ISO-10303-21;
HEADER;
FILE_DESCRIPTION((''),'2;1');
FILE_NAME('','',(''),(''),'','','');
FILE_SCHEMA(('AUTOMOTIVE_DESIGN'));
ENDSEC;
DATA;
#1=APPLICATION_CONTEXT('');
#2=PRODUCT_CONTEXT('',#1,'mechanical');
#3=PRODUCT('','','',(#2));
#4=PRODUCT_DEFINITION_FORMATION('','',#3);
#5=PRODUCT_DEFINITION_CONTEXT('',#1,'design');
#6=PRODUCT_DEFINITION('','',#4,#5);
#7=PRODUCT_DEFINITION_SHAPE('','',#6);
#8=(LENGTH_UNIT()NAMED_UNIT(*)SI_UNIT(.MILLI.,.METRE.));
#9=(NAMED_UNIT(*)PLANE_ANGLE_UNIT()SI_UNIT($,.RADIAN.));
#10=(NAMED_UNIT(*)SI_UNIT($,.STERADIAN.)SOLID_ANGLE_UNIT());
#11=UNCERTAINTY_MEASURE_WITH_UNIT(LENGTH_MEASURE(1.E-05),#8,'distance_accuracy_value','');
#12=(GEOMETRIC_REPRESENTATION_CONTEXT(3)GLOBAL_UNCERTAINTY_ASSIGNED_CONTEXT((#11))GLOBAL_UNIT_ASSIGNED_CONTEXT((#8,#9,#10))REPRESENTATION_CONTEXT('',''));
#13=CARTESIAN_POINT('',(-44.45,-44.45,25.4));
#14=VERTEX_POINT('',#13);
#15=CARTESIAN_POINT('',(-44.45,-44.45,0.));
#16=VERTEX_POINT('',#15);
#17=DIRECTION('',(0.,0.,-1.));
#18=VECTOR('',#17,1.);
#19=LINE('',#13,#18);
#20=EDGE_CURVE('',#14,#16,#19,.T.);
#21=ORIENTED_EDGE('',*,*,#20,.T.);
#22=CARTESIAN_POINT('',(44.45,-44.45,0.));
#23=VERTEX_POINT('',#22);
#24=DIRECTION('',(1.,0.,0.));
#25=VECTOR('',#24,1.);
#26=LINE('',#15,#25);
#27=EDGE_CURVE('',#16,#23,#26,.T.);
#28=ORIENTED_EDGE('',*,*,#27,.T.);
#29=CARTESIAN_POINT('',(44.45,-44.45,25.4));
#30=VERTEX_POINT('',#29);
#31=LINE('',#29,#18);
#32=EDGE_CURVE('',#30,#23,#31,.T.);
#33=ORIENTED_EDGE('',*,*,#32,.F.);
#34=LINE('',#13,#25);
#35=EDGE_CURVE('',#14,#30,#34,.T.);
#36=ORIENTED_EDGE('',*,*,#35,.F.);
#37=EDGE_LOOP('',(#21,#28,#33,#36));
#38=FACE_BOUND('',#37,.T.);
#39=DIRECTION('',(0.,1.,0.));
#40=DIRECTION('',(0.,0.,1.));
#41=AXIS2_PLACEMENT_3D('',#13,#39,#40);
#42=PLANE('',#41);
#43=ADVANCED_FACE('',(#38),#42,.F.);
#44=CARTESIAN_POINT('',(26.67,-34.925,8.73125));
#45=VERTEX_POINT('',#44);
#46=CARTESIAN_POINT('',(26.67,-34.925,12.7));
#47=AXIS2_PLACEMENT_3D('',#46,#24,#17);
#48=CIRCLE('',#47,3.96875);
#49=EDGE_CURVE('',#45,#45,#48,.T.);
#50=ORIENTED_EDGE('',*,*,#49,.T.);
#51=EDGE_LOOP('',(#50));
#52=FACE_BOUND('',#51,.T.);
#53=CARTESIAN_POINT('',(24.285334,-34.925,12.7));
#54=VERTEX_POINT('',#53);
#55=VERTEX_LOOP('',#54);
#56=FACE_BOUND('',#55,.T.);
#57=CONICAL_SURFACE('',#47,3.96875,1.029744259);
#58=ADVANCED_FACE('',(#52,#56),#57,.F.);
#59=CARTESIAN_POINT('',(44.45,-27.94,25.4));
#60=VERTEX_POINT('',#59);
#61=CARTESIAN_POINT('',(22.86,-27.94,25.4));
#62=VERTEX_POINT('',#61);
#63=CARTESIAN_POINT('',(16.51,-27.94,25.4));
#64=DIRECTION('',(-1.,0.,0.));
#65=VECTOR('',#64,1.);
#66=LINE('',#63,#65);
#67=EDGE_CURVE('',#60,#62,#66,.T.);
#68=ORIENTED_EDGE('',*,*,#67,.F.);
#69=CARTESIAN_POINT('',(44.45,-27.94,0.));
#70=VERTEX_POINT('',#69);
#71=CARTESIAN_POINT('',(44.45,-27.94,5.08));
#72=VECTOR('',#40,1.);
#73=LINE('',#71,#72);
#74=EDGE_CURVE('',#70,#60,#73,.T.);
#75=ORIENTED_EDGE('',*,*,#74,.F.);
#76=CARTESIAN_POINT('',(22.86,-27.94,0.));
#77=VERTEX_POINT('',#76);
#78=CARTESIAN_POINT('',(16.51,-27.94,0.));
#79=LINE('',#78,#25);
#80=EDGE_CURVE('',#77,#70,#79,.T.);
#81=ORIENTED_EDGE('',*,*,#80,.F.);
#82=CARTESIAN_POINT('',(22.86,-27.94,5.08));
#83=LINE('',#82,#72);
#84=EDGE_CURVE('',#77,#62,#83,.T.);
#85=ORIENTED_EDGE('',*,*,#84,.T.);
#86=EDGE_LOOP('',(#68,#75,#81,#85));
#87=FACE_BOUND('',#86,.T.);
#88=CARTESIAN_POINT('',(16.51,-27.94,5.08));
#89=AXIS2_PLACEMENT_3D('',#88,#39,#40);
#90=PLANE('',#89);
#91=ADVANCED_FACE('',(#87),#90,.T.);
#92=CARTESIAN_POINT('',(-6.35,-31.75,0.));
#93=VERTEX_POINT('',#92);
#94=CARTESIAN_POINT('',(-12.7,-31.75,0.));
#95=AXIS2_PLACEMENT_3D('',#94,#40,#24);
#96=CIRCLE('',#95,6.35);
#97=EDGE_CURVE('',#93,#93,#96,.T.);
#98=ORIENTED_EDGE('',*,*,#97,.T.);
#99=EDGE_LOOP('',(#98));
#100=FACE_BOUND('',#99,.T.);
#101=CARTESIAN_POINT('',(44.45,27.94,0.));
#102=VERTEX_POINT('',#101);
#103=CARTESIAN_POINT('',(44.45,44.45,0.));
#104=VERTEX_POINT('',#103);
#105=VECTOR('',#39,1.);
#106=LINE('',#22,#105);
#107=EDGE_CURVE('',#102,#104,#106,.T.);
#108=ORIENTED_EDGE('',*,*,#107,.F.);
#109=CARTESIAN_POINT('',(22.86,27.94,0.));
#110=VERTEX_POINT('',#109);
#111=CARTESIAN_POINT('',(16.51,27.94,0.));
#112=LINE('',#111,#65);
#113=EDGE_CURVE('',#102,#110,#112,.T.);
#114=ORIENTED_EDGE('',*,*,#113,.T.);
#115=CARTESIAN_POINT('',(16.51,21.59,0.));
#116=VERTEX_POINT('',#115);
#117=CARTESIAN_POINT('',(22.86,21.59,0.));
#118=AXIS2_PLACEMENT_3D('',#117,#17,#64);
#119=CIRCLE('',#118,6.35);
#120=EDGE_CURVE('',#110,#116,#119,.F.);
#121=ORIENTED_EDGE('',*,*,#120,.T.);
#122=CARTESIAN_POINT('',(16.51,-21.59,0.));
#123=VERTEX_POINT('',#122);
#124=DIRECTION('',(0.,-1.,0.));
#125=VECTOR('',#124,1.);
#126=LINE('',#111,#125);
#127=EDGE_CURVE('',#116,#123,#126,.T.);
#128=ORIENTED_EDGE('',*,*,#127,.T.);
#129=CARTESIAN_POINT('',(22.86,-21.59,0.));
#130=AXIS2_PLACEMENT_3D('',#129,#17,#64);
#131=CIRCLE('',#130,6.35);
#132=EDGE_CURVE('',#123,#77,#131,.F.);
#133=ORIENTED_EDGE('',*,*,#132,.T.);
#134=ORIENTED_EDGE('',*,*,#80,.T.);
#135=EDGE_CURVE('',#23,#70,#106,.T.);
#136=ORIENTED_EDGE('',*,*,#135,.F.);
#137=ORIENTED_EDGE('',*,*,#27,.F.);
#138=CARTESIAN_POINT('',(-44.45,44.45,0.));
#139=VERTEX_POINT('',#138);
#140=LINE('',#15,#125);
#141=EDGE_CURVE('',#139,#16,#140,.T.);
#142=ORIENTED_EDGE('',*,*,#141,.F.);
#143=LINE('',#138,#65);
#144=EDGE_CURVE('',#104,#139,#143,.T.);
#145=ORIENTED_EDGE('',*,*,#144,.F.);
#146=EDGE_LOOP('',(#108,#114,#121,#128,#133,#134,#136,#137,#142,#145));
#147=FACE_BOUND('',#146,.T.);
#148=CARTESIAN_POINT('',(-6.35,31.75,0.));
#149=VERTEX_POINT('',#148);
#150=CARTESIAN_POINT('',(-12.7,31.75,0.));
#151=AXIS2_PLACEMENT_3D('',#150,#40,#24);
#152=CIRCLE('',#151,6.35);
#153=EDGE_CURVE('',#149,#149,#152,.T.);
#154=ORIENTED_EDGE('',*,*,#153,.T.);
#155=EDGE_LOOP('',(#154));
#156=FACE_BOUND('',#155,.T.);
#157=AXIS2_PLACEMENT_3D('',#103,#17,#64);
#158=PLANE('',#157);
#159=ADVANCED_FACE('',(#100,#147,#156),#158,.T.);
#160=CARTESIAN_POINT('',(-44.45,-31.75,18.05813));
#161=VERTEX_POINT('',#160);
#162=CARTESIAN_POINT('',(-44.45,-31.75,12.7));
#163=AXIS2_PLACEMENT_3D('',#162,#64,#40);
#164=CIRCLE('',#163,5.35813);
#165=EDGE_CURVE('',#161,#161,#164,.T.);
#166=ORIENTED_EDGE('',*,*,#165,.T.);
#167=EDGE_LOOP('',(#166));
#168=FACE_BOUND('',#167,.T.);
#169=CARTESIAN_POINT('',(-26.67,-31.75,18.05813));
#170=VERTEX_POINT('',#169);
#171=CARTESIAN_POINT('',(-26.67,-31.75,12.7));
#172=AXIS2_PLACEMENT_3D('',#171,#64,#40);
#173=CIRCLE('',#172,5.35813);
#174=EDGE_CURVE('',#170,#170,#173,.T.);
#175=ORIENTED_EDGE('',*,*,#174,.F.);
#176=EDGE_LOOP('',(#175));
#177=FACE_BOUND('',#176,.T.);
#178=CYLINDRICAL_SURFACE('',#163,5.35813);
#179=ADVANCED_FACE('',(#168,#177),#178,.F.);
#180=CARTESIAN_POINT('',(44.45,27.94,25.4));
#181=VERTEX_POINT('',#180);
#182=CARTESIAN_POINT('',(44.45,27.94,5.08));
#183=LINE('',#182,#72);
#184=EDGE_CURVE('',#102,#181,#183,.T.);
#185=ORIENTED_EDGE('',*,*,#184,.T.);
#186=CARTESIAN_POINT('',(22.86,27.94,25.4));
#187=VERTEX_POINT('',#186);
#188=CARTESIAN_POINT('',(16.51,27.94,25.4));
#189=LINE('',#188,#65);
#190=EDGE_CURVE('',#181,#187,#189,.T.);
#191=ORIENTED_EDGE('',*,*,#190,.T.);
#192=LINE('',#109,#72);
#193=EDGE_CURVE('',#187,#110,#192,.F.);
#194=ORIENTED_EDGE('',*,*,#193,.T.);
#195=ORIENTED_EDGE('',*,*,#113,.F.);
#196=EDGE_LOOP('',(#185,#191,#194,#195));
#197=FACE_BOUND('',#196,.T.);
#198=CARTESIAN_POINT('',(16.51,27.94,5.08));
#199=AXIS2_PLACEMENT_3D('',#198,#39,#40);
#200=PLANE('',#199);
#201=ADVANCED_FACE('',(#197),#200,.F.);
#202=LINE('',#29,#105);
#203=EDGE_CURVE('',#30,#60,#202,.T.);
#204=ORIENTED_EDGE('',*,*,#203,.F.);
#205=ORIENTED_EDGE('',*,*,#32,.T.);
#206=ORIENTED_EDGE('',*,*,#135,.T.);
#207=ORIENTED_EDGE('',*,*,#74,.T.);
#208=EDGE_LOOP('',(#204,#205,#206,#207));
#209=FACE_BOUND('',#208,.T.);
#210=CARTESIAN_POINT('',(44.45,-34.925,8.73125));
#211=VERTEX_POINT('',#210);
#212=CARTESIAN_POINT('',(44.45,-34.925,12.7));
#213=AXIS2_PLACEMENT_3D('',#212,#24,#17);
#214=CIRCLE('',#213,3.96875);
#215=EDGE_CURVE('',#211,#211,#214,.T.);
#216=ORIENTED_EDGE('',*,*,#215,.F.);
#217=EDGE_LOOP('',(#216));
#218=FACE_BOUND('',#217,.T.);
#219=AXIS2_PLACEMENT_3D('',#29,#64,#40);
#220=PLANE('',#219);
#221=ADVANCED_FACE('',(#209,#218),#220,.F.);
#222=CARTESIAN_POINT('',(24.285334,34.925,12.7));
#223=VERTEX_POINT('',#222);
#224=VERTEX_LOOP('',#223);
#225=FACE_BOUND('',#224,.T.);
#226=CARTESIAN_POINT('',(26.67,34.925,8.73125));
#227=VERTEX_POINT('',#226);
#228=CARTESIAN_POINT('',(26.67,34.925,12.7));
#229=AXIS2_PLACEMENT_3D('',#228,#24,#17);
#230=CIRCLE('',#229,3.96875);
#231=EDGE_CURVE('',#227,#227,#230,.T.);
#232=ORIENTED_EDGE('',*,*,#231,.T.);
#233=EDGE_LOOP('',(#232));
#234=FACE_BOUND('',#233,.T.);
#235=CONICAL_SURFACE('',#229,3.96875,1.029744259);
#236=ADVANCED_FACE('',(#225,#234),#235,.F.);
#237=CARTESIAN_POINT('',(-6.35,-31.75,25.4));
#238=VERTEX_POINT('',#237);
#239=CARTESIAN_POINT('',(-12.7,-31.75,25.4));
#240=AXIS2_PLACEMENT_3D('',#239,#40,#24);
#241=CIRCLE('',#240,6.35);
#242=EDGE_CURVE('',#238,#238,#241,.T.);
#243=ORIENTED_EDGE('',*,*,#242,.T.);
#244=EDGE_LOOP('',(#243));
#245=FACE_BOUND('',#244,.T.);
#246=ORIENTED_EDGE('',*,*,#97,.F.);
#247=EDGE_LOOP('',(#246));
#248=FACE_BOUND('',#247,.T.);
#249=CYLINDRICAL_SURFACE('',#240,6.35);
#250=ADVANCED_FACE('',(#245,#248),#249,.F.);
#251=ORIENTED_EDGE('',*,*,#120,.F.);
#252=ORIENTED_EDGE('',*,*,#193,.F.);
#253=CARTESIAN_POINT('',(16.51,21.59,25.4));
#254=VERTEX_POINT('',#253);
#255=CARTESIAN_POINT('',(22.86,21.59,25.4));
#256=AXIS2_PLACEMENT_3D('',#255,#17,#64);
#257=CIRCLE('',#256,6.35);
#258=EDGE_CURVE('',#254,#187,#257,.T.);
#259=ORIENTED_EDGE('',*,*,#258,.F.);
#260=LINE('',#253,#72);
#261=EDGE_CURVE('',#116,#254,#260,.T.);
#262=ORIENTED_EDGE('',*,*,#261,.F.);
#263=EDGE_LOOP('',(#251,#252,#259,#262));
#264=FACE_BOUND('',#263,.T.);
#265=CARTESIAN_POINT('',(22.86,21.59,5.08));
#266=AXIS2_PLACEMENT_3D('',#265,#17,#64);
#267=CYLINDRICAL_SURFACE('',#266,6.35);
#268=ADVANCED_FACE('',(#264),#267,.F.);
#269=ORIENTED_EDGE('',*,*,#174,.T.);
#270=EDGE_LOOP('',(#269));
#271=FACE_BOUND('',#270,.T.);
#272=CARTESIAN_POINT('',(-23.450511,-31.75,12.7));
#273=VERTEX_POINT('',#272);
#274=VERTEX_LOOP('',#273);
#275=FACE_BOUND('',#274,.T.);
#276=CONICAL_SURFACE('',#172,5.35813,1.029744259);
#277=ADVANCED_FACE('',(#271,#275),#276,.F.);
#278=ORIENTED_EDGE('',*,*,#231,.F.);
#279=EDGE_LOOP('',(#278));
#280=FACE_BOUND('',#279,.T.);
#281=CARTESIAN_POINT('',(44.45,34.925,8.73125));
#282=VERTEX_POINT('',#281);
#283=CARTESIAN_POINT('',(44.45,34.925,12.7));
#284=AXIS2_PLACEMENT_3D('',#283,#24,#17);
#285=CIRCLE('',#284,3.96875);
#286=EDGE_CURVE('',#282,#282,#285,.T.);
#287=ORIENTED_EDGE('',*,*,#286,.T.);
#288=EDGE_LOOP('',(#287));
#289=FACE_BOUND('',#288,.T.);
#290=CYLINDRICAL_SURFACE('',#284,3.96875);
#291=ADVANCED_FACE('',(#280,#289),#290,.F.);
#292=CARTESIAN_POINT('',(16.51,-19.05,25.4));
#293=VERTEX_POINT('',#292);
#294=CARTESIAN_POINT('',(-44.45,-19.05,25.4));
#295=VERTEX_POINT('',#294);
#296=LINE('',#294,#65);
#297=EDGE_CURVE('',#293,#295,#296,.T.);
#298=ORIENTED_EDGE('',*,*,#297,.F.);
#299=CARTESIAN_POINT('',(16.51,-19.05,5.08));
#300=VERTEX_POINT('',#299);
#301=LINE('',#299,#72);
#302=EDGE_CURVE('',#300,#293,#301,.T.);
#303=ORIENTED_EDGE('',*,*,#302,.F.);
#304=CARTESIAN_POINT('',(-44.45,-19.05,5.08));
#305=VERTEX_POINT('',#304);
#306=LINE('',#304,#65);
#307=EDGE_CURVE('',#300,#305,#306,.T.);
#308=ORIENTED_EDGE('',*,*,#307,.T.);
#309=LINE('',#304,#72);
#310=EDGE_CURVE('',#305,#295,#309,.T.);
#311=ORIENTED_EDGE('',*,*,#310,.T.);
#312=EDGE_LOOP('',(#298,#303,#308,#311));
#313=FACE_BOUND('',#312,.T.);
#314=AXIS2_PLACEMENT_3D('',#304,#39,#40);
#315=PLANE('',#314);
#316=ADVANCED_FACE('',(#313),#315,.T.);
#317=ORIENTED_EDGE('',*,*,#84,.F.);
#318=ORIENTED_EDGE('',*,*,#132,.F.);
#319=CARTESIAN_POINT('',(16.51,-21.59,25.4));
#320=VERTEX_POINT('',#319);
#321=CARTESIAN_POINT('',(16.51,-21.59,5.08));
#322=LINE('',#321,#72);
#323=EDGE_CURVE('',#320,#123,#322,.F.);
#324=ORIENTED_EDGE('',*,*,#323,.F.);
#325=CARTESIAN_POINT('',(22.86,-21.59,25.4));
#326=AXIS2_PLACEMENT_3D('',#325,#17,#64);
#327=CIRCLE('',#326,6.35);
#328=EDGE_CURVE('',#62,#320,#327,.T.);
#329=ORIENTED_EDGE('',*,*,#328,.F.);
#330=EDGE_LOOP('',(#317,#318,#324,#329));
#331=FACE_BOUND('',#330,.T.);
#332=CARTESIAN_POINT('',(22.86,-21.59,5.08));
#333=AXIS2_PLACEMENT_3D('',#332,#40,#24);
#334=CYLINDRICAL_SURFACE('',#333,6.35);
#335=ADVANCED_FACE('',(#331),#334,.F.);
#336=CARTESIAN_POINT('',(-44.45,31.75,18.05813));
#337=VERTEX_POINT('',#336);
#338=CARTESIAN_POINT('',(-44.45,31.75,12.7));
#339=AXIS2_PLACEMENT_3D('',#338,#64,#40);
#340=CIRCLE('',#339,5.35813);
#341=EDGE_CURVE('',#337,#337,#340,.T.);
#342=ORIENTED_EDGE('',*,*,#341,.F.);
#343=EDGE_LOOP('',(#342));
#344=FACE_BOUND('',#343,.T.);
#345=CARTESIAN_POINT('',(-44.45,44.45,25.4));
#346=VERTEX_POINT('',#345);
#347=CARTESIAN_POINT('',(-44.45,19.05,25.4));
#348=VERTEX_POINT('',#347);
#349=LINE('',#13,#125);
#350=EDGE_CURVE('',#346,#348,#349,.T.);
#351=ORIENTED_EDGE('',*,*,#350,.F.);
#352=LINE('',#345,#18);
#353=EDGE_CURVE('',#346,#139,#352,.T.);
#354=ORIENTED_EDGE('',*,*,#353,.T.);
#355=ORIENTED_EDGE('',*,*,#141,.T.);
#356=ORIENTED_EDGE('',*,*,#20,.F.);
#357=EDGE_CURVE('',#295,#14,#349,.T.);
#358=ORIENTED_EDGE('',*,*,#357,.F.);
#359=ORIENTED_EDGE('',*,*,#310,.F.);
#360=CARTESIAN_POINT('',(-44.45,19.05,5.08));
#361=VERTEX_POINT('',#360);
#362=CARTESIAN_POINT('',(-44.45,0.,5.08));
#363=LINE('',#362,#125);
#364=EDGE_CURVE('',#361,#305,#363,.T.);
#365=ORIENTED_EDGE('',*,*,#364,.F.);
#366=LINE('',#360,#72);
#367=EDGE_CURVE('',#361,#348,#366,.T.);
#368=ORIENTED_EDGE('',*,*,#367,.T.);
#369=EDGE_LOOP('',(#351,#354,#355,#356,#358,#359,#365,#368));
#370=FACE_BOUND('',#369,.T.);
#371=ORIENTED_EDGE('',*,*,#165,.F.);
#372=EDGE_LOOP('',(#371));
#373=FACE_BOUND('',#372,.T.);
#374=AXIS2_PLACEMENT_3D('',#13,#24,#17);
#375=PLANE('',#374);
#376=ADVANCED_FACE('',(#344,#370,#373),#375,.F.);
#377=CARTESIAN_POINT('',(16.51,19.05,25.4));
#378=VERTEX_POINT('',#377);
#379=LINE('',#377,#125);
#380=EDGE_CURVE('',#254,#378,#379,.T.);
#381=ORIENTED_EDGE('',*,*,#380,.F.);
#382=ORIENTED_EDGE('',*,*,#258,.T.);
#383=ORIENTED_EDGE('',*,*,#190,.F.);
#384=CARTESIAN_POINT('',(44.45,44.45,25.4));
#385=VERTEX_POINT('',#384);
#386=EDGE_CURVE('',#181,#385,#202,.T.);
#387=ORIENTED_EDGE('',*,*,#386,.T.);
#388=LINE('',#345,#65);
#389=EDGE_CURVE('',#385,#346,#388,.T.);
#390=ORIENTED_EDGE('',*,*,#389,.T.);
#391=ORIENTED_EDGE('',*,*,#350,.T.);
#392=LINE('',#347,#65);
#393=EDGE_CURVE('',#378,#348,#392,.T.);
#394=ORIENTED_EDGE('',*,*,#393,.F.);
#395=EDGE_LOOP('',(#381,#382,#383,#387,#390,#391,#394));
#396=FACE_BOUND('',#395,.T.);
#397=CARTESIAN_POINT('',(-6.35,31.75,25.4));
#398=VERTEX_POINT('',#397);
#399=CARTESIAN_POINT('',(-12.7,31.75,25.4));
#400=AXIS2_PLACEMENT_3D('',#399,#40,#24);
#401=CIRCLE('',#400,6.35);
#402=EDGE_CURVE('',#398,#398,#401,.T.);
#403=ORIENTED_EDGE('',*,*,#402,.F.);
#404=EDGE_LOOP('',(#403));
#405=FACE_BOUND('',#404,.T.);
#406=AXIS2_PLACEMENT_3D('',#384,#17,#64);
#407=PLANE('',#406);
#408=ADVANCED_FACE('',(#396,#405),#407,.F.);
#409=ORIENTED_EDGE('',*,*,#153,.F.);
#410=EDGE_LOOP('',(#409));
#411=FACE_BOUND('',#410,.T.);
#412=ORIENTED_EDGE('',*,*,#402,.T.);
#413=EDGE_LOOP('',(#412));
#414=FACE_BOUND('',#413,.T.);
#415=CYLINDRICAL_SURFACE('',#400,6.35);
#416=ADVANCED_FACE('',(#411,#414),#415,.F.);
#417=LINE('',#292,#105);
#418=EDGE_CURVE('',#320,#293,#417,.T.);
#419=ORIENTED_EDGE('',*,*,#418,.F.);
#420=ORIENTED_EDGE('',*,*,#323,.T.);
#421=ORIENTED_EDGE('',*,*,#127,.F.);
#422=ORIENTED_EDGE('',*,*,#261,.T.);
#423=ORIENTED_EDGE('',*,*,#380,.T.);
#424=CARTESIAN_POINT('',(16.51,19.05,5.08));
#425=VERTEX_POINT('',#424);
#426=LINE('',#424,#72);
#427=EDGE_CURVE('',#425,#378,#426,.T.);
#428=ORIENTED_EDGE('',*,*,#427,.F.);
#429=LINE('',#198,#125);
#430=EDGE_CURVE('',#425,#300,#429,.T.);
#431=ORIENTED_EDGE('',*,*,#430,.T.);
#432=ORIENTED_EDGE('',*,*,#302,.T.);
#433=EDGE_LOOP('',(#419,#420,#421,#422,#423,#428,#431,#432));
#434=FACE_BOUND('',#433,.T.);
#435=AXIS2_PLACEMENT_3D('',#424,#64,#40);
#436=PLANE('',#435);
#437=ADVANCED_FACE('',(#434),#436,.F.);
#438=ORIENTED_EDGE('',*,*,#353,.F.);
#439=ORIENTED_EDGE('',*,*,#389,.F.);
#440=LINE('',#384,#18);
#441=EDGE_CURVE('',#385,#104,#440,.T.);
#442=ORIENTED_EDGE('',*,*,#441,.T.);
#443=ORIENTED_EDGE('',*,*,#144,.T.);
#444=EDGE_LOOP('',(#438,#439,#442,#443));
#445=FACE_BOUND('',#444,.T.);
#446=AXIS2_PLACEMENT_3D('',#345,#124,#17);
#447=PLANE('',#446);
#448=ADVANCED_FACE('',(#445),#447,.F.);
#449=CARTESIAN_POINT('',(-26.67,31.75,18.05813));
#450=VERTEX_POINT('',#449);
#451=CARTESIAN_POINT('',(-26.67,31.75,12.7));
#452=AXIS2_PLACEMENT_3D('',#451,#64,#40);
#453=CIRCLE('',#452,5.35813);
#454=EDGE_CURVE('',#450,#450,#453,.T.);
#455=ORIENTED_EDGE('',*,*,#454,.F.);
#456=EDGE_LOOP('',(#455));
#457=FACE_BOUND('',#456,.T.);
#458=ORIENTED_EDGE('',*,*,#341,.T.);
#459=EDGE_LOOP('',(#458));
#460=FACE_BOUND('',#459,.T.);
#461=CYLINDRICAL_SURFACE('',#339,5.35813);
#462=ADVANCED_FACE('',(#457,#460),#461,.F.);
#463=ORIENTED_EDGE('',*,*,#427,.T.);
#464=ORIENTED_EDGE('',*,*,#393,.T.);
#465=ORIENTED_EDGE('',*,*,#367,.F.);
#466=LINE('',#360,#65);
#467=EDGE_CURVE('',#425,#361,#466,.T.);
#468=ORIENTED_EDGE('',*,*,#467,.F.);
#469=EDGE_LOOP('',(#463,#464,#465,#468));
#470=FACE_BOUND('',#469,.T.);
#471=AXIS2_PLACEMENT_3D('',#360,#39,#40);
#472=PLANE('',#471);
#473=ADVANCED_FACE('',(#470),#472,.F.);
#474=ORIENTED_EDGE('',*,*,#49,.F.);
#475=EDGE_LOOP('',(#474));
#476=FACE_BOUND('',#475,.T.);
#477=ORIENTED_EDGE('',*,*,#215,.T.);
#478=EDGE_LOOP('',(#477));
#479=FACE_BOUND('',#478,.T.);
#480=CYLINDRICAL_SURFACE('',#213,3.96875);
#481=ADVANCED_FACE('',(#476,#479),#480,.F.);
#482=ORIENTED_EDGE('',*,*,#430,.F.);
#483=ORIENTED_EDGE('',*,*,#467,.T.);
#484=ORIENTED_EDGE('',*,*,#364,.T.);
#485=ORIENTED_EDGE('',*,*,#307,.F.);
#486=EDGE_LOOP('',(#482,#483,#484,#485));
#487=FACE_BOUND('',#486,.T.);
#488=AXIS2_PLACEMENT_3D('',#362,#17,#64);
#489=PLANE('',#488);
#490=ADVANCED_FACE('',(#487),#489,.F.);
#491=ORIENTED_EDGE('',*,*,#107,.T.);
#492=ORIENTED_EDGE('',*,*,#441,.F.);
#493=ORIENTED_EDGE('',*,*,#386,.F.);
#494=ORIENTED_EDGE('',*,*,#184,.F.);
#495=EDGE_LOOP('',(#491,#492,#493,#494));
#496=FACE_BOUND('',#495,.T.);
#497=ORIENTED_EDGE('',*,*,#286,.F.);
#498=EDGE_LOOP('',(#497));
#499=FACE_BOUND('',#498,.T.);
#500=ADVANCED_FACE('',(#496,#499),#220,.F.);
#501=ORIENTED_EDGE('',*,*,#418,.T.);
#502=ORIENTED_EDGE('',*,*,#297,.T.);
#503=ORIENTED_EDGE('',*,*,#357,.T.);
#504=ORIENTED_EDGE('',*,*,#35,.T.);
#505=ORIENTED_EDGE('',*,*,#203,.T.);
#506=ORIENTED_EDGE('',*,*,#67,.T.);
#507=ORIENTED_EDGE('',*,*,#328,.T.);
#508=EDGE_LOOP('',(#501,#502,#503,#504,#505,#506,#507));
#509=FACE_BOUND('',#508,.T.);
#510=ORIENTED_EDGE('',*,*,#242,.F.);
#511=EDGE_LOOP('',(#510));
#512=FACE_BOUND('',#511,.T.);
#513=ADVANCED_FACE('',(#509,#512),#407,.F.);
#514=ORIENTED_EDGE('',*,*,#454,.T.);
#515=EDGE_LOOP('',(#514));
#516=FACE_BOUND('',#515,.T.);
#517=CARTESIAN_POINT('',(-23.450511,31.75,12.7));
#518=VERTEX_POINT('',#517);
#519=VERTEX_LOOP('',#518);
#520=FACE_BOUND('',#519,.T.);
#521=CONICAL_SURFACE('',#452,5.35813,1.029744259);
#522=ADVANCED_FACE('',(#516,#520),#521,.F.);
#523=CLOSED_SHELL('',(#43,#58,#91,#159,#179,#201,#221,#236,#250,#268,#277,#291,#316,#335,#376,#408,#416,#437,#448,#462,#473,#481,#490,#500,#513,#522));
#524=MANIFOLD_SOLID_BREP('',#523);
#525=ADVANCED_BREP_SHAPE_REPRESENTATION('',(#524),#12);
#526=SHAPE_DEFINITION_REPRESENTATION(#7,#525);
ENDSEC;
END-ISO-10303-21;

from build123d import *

# Parameters (mm, degrees)
SKETCH1_W                  = 88.9
SKETCH1_H                  = 88.9
EXTRUDE1_DEPTH             = 25.4
F_1_2_0_5_DIAMETER_HOLE1_D = 12.7
EXTRUDE5_DEPTH             = 20.32
SKETCH16_W                 = 27.94
SKETCH16_H                 = 55.88
EXTRUDE6_DEPTH             = 6.08
FILLET2_R                  = 6.35


with BuildPart() as part:
    # Sketch1 → Extrude1 (new body)
    with BuildSketch(Plane.XY):
        Rectangle(SKETCH1_W, SKETCH1_H)
    extrude(amount=EXTRUDE1_DEPTH)

    # Sketch3 → Tap Drill for 3/8-16 Tap2 (revolve, cut)
    with BuildSketch(Plane(origin=(44.45, 34.925, 12.7), x_dir=(0, 0, -1), z_dir=(0, 1, 0))):
        Polygon((0, 0), (0, 20.164665582), (3.96875, 17.78), (3.96875, 0), align=None)
    tap_drill_for_3_8_16_tap2 = revolve(axis=Axis((50.8, 34.925, 12.7), (-1, 0, 0)), mode=Mode.SUBTRACT)

    # Mirror1: Tap Drill for 3/8-16 Tap2 across plane
    add(tap_drill_for_3_8_16_tap2.mirror(Plane.ZX), mode=Mode.SUBTRACT)

    # 1/2 (0.5) Diameter Hole1 (through all)
    with Locations(Plane.XY.offset(25.4)):
        with Locations((-12.7, 31.75)):
            f_1_2_0_5_diameter_hole1 = Hole(F_1_2_0_5_DIAMETER_HOLE1_D / 2)

    # Mirror3: 1/2 (0.5) Diameter Hole1 across plane
    add(f_1_2_0_5_diameter_hole1.mirror(Plane.ZX), mode=Mode.SUBTRACT)

    # Sketch15 → Extrude5 (cut)
    with BuildSketch(Plane.XY.offset(25.4)):
        Polygon((-44.45, 0), (-44.45, 19.05), (16.51, 19.05), (16.51, 27.94), (44.45, 27.94), (44.45, 0), align=None)
    extrude5 = extrude(amount=-EXTRUDE5_DEPTH, mode=Mode.SUBTRACT)

    # Mirror4: Extrude5 across plane
    add(extrude5.mirror(Plane.ZX), mode=Mode.SUBTRACT)

    # Sketch16 → Extrude6 (cut, through all)
    with BuildSketch(Plane.XY.offset(5.08)):
        with Locations((30.48, 0)):
            Rectangle(SKETCH16_W, SKETCH16_H)
    extrude(amount=-EXTRUDE6_DEPTH, mode=Mode.SUBTRACT)

    # Fillet2
    fillet2_edges = [part.edges().sort_by_distance(p)[0] for p in [
        (16.51, 27.94, 12.7),
        (16.51, -27.94, 12.7),
    ]]
    fillet(fillet2_edges, radius=FILLET2_R)

    # Sketch18 → Tap Drill for 1/2-13 Tap2 (revolve, cut)
    with BuildSketch(Plane(origin=(-44.45, 31.75, 12.7), x_dir=(0, 0, 1), z_dir=(0, 1, 0))):
        Polygon((0, 0), (0, 20.999489309), (5.35813, 17.78), (5.35813, 0), align=None)
    tap_drill_for_1_2_13_tap2 = revolve(axis=Axis((-50.8, 31.75, 12.7), (1, 0, 0)), mode=Mode.SUBTRACT)

    # Mirror5: Tap Drill for 1/2-13 Tap2 across plane
    add(tap_drill_for_1_2_13_tap2.mirror(Plane.ZX), mode=Mode.SUBTRACT)


solid = part.part
